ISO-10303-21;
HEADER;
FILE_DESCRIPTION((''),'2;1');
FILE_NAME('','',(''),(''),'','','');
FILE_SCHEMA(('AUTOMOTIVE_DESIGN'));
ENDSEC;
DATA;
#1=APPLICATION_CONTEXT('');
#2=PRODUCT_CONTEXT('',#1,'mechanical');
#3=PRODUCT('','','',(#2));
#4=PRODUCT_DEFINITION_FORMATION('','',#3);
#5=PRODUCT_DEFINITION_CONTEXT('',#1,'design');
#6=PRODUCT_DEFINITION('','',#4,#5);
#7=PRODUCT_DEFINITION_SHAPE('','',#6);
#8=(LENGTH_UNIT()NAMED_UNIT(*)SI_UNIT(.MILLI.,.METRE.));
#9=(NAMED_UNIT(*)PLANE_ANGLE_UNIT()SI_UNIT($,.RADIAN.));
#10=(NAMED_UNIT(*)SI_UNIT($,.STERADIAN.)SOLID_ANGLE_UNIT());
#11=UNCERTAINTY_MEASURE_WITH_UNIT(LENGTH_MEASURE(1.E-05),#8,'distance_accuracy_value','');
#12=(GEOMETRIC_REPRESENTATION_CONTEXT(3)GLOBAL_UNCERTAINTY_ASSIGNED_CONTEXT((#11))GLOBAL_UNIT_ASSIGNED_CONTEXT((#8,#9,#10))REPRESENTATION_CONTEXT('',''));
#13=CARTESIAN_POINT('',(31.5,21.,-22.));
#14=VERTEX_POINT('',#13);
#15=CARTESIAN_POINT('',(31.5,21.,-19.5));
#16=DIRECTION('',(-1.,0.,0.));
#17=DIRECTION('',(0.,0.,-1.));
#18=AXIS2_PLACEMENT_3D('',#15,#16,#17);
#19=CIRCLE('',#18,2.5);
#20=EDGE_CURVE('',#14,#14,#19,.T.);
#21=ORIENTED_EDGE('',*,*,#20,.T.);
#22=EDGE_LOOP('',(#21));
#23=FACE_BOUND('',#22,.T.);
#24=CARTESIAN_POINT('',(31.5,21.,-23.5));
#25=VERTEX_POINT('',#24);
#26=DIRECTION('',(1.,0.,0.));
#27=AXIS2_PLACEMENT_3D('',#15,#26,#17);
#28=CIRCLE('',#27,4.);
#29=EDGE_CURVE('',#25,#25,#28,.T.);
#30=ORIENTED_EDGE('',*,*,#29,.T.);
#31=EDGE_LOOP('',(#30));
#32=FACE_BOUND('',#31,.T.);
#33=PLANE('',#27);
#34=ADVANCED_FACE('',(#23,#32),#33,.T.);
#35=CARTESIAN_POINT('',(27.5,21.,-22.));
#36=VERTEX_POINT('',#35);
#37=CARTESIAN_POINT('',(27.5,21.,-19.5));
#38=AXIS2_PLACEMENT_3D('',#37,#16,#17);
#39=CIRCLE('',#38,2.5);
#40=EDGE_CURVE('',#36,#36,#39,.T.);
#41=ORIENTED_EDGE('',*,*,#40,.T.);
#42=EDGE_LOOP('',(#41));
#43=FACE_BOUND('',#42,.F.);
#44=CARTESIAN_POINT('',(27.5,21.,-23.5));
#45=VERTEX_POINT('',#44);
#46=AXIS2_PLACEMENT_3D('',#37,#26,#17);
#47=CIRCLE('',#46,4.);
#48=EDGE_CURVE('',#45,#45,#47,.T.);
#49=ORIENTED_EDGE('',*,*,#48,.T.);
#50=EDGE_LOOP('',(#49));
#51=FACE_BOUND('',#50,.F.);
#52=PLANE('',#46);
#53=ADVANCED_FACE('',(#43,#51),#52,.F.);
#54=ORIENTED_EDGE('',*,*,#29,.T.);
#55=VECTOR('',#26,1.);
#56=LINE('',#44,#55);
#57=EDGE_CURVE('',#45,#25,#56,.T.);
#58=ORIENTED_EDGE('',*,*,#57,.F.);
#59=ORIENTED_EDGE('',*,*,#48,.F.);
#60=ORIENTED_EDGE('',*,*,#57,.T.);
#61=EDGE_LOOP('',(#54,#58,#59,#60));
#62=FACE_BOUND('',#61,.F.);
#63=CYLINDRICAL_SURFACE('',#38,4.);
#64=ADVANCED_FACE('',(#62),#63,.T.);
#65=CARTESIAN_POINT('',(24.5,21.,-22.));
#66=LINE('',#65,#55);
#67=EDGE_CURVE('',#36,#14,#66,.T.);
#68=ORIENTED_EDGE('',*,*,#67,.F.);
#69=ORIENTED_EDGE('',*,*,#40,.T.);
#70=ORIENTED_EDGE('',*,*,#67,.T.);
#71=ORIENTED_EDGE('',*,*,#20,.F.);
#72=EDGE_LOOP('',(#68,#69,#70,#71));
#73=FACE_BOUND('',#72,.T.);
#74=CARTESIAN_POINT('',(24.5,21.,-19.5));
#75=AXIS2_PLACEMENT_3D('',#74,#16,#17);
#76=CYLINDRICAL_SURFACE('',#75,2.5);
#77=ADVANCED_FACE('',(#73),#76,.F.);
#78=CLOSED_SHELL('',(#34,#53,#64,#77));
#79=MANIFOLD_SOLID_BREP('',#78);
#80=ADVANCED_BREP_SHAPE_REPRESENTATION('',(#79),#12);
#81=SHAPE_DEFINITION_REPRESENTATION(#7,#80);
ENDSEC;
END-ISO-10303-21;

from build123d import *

# Parameters (mm, degrees)
CYLINDER014_R     = 2.5
CYLINDER014_DEPTH = 10
CYLINDER015_R     = 4
CYLINDER015_DEPTH = 4


with BuildPart() as cylinder002:
    # Cylinder014 → Cylinder014 (new body)
    with BuildSketch(Plane(origin=(23.5, -39, -22), x_dir=(0, 0, -1), z_dir=(1, 0, 0))):
        Circle(CYLINDER014_R)
    extrude(amount=CYLINDER014_DEPTH)


with BuildPart() as bricksup002:
    # Cylinder015 → Cylinder015 (new body)
    with BuildSketch(Plane(origin=(26.5, -39, -22), x_dir=(0, 0, -1), z_dir=(1, 0, 0))):
        Circle(CYLINDER015_R)
    extrude(amount=CYLINDER015_DEPTH)

    # Cut008: cut Cylinder002
    add(cylinder002.part, mode=Mode.SUBTRACT)


with BuildPart() as bricksup002_1:
    # Cut008 placement: moved
    add(bricksup002.part.moved(Location((1, 60, 2.5))))


solid = bricksup002_1.part
